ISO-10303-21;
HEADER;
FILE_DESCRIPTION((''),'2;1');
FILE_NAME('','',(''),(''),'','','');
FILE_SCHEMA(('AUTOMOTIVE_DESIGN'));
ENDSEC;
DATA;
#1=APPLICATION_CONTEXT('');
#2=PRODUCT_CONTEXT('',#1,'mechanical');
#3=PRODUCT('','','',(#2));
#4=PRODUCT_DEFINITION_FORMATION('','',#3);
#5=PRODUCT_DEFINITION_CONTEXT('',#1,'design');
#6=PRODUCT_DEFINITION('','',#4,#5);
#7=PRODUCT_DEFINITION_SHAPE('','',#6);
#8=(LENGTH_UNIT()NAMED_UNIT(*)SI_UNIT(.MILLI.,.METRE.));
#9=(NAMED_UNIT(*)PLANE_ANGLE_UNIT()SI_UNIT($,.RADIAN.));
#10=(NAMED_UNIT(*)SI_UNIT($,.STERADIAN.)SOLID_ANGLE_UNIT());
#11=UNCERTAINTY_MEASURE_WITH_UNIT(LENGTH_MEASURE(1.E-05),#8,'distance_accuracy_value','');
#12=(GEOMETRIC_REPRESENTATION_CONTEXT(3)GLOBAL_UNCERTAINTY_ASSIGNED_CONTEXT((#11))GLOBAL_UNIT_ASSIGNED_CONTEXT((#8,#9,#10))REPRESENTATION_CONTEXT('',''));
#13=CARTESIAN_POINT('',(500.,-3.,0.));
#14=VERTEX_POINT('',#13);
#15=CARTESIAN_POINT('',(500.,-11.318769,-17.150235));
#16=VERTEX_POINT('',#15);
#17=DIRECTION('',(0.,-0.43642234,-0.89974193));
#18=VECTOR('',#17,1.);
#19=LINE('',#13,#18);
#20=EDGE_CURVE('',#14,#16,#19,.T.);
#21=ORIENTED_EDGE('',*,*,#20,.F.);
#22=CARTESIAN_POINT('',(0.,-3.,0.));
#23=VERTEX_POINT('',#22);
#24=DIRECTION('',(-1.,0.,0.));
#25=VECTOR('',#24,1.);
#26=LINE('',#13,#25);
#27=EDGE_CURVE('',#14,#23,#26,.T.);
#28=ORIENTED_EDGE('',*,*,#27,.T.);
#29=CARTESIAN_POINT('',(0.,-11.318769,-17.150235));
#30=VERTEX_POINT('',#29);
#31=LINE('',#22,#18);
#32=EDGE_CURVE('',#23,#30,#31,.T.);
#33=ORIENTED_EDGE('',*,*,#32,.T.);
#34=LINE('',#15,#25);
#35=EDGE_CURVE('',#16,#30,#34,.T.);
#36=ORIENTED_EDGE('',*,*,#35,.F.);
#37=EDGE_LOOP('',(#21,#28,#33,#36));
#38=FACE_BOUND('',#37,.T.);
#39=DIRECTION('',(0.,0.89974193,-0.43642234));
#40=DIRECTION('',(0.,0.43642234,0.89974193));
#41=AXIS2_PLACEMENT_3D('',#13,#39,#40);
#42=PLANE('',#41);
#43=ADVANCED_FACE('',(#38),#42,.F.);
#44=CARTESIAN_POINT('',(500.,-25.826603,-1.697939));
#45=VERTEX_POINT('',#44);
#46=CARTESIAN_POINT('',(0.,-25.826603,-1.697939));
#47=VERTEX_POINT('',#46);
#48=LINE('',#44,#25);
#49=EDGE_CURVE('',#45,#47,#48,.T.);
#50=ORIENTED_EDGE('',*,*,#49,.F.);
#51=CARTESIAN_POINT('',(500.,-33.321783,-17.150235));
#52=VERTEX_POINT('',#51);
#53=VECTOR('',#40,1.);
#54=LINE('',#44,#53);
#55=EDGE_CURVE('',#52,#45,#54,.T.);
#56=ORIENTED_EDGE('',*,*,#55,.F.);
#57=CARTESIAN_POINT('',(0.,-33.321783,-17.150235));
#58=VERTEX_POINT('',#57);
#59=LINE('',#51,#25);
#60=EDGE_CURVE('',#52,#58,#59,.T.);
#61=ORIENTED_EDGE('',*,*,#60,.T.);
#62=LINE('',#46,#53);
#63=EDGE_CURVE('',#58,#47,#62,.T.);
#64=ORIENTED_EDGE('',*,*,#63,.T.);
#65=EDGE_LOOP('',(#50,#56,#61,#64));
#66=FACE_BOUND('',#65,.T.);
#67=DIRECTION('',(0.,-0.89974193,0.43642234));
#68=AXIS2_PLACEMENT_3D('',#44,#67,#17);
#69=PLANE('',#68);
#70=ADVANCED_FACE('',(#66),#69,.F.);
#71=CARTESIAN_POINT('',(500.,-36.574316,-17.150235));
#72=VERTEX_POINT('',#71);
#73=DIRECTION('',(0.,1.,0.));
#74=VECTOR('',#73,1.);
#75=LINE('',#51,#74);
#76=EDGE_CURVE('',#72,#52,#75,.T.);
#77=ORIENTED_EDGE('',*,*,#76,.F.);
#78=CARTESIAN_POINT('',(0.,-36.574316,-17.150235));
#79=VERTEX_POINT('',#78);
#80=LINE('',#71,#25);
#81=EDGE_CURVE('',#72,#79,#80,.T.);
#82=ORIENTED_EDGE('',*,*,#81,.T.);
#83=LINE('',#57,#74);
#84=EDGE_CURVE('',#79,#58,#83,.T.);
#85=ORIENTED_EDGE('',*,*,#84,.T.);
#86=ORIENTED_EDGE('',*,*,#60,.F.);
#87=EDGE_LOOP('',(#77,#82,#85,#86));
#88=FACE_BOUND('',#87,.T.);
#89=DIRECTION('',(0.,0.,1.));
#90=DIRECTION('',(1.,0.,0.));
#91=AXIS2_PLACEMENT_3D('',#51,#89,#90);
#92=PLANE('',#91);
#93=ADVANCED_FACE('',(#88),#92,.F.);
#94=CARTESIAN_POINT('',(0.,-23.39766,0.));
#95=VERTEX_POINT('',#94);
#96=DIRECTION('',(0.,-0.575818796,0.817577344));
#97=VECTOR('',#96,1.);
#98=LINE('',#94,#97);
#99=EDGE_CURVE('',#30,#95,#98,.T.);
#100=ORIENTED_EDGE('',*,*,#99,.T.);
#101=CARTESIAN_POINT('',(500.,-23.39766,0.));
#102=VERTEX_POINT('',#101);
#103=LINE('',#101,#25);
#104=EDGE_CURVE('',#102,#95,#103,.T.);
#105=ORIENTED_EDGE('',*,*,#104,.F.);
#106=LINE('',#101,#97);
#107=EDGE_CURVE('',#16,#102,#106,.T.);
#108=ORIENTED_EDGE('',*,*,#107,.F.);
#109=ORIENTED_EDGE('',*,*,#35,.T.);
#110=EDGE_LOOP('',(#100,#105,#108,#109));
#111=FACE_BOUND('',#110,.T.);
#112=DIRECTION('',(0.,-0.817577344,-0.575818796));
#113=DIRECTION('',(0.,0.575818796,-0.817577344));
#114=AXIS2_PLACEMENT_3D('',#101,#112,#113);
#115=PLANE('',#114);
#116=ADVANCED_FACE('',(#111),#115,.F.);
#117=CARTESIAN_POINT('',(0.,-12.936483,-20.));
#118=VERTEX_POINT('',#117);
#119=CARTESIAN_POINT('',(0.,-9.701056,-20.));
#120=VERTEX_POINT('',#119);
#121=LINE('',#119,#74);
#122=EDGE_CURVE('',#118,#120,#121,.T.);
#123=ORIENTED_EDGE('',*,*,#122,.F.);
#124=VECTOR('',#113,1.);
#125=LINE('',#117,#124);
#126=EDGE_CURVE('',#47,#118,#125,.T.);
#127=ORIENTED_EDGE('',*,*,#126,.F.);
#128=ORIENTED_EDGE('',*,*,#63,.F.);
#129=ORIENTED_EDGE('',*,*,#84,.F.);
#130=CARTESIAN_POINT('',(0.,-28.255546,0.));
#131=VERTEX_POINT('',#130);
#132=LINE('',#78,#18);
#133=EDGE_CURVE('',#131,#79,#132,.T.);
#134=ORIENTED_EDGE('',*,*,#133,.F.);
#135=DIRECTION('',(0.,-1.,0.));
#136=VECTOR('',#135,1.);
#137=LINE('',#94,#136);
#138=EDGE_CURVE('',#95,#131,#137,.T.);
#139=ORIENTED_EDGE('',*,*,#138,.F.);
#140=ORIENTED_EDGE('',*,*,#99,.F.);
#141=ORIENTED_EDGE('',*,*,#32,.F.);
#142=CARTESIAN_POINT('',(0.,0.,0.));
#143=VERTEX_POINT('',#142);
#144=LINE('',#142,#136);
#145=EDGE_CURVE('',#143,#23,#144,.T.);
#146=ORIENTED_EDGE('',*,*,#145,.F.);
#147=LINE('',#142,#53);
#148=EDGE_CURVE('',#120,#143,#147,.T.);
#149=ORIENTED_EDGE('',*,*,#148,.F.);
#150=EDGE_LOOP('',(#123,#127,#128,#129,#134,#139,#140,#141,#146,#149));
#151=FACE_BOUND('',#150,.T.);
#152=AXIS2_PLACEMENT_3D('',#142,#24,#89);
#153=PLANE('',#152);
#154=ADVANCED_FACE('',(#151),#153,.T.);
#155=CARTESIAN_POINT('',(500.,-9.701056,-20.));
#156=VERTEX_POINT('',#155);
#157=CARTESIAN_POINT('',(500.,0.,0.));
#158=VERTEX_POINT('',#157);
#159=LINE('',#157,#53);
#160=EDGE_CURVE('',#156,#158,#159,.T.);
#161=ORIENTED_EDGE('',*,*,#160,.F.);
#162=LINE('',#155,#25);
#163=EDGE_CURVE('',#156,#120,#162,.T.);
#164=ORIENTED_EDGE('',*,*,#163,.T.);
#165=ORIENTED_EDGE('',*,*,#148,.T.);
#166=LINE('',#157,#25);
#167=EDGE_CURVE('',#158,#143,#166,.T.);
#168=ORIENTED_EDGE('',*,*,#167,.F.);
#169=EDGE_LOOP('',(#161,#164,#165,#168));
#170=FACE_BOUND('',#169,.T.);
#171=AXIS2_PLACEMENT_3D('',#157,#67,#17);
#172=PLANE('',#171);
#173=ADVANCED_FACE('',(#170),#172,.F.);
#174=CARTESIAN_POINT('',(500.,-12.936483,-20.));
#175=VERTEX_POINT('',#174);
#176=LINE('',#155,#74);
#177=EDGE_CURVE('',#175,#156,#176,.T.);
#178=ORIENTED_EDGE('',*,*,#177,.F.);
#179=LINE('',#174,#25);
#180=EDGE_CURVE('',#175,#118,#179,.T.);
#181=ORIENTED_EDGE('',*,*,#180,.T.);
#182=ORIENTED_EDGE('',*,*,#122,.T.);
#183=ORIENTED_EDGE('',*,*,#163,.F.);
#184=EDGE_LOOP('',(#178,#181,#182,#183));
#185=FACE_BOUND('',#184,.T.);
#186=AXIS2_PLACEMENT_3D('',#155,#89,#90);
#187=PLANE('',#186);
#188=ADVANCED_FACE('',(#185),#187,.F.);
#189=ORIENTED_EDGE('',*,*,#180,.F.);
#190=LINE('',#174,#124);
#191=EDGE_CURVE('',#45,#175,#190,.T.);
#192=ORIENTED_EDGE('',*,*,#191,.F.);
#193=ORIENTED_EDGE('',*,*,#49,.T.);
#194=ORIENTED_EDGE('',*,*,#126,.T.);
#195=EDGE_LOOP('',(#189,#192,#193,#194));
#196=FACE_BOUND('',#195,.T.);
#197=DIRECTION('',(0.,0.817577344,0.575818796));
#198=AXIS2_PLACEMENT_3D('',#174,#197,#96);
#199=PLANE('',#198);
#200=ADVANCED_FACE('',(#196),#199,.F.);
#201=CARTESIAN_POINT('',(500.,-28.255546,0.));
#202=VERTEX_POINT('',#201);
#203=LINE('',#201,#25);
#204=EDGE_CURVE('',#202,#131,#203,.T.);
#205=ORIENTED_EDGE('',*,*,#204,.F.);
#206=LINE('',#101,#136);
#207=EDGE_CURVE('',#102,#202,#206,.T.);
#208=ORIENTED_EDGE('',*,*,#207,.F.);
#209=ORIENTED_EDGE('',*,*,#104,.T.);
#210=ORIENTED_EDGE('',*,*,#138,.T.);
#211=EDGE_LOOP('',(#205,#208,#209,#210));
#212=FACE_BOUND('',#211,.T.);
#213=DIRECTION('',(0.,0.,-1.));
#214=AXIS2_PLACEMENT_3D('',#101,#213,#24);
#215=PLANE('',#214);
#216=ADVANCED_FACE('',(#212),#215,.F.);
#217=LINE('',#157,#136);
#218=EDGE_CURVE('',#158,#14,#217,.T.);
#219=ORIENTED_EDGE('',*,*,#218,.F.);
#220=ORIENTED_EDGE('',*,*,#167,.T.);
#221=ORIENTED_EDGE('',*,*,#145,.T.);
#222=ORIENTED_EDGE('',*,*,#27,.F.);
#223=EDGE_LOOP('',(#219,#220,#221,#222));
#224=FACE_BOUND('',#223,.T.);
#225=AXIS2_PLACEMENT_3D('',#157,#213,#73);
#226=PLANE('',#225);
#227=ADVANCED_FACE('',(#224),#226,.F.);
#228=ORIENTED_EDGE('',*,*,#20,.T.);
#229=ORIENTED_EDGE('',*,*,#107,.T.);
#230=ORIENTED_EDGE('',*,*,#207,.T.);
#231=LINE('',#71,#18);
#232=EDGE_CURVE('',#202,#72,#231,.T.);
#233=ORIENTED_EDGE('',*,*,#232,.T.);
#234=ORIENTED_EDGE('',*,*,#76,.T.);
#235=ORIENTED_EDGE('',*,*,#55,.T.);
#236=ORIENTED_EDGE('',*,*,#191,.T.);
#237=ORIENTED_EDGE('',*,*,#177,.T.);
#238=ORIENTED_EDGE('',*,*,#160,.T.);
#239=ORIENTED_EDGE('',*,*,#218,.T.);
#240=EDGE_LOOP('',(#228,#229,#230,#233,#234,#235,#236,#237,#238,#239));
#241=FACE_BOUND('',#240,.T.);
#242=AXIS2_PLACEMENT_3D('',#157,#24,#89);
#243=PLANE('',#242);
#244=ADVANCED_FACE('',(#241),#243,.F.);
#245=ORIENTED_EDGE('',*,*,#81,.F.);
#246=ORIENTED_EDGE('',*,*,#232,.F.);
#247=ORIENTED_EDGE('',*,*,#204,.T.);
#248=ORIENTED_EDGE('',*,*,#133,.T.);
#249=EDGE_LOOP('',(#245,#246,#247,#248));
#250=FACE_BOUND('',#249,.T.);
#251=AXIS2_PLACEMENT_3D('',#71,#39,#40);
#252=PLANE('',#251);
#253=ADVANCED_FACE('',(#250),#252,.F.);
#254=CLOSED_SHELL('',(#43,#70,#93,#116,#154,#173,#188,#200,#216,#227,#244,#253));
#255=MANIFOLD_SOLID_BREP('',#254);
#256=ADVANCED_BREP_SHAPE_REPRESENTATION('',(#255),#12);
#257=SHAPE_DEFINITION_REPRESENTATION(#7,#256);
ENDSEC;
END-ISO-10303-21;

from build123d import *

# Parameters (mm, degrees)
BOSS_EXTRUDE1_DEPTH = 500


with BuildPart() as part:
    # Sketch2 → Boss-Extrude1 (new body)
    with BuildSketch(Plane(origin=(0, 0, 0), x_dir=(0, 0, -1), z_dir=(1, 0, 0))):
        Polygon((0, 0), (0, -3), (17.150234897, -11.318769416), (0, -23.397660409), (0, -28.255546443), (17.150234897, -36.574315859), (17.150234897, -33.321782597), (1.697939377, -25.826603426), (20, -12.93648288), (20, -9.701055951), align=None)
    extrude(amount=BOSS_EXTRUDE1_DEPTH)


solid = part.part
